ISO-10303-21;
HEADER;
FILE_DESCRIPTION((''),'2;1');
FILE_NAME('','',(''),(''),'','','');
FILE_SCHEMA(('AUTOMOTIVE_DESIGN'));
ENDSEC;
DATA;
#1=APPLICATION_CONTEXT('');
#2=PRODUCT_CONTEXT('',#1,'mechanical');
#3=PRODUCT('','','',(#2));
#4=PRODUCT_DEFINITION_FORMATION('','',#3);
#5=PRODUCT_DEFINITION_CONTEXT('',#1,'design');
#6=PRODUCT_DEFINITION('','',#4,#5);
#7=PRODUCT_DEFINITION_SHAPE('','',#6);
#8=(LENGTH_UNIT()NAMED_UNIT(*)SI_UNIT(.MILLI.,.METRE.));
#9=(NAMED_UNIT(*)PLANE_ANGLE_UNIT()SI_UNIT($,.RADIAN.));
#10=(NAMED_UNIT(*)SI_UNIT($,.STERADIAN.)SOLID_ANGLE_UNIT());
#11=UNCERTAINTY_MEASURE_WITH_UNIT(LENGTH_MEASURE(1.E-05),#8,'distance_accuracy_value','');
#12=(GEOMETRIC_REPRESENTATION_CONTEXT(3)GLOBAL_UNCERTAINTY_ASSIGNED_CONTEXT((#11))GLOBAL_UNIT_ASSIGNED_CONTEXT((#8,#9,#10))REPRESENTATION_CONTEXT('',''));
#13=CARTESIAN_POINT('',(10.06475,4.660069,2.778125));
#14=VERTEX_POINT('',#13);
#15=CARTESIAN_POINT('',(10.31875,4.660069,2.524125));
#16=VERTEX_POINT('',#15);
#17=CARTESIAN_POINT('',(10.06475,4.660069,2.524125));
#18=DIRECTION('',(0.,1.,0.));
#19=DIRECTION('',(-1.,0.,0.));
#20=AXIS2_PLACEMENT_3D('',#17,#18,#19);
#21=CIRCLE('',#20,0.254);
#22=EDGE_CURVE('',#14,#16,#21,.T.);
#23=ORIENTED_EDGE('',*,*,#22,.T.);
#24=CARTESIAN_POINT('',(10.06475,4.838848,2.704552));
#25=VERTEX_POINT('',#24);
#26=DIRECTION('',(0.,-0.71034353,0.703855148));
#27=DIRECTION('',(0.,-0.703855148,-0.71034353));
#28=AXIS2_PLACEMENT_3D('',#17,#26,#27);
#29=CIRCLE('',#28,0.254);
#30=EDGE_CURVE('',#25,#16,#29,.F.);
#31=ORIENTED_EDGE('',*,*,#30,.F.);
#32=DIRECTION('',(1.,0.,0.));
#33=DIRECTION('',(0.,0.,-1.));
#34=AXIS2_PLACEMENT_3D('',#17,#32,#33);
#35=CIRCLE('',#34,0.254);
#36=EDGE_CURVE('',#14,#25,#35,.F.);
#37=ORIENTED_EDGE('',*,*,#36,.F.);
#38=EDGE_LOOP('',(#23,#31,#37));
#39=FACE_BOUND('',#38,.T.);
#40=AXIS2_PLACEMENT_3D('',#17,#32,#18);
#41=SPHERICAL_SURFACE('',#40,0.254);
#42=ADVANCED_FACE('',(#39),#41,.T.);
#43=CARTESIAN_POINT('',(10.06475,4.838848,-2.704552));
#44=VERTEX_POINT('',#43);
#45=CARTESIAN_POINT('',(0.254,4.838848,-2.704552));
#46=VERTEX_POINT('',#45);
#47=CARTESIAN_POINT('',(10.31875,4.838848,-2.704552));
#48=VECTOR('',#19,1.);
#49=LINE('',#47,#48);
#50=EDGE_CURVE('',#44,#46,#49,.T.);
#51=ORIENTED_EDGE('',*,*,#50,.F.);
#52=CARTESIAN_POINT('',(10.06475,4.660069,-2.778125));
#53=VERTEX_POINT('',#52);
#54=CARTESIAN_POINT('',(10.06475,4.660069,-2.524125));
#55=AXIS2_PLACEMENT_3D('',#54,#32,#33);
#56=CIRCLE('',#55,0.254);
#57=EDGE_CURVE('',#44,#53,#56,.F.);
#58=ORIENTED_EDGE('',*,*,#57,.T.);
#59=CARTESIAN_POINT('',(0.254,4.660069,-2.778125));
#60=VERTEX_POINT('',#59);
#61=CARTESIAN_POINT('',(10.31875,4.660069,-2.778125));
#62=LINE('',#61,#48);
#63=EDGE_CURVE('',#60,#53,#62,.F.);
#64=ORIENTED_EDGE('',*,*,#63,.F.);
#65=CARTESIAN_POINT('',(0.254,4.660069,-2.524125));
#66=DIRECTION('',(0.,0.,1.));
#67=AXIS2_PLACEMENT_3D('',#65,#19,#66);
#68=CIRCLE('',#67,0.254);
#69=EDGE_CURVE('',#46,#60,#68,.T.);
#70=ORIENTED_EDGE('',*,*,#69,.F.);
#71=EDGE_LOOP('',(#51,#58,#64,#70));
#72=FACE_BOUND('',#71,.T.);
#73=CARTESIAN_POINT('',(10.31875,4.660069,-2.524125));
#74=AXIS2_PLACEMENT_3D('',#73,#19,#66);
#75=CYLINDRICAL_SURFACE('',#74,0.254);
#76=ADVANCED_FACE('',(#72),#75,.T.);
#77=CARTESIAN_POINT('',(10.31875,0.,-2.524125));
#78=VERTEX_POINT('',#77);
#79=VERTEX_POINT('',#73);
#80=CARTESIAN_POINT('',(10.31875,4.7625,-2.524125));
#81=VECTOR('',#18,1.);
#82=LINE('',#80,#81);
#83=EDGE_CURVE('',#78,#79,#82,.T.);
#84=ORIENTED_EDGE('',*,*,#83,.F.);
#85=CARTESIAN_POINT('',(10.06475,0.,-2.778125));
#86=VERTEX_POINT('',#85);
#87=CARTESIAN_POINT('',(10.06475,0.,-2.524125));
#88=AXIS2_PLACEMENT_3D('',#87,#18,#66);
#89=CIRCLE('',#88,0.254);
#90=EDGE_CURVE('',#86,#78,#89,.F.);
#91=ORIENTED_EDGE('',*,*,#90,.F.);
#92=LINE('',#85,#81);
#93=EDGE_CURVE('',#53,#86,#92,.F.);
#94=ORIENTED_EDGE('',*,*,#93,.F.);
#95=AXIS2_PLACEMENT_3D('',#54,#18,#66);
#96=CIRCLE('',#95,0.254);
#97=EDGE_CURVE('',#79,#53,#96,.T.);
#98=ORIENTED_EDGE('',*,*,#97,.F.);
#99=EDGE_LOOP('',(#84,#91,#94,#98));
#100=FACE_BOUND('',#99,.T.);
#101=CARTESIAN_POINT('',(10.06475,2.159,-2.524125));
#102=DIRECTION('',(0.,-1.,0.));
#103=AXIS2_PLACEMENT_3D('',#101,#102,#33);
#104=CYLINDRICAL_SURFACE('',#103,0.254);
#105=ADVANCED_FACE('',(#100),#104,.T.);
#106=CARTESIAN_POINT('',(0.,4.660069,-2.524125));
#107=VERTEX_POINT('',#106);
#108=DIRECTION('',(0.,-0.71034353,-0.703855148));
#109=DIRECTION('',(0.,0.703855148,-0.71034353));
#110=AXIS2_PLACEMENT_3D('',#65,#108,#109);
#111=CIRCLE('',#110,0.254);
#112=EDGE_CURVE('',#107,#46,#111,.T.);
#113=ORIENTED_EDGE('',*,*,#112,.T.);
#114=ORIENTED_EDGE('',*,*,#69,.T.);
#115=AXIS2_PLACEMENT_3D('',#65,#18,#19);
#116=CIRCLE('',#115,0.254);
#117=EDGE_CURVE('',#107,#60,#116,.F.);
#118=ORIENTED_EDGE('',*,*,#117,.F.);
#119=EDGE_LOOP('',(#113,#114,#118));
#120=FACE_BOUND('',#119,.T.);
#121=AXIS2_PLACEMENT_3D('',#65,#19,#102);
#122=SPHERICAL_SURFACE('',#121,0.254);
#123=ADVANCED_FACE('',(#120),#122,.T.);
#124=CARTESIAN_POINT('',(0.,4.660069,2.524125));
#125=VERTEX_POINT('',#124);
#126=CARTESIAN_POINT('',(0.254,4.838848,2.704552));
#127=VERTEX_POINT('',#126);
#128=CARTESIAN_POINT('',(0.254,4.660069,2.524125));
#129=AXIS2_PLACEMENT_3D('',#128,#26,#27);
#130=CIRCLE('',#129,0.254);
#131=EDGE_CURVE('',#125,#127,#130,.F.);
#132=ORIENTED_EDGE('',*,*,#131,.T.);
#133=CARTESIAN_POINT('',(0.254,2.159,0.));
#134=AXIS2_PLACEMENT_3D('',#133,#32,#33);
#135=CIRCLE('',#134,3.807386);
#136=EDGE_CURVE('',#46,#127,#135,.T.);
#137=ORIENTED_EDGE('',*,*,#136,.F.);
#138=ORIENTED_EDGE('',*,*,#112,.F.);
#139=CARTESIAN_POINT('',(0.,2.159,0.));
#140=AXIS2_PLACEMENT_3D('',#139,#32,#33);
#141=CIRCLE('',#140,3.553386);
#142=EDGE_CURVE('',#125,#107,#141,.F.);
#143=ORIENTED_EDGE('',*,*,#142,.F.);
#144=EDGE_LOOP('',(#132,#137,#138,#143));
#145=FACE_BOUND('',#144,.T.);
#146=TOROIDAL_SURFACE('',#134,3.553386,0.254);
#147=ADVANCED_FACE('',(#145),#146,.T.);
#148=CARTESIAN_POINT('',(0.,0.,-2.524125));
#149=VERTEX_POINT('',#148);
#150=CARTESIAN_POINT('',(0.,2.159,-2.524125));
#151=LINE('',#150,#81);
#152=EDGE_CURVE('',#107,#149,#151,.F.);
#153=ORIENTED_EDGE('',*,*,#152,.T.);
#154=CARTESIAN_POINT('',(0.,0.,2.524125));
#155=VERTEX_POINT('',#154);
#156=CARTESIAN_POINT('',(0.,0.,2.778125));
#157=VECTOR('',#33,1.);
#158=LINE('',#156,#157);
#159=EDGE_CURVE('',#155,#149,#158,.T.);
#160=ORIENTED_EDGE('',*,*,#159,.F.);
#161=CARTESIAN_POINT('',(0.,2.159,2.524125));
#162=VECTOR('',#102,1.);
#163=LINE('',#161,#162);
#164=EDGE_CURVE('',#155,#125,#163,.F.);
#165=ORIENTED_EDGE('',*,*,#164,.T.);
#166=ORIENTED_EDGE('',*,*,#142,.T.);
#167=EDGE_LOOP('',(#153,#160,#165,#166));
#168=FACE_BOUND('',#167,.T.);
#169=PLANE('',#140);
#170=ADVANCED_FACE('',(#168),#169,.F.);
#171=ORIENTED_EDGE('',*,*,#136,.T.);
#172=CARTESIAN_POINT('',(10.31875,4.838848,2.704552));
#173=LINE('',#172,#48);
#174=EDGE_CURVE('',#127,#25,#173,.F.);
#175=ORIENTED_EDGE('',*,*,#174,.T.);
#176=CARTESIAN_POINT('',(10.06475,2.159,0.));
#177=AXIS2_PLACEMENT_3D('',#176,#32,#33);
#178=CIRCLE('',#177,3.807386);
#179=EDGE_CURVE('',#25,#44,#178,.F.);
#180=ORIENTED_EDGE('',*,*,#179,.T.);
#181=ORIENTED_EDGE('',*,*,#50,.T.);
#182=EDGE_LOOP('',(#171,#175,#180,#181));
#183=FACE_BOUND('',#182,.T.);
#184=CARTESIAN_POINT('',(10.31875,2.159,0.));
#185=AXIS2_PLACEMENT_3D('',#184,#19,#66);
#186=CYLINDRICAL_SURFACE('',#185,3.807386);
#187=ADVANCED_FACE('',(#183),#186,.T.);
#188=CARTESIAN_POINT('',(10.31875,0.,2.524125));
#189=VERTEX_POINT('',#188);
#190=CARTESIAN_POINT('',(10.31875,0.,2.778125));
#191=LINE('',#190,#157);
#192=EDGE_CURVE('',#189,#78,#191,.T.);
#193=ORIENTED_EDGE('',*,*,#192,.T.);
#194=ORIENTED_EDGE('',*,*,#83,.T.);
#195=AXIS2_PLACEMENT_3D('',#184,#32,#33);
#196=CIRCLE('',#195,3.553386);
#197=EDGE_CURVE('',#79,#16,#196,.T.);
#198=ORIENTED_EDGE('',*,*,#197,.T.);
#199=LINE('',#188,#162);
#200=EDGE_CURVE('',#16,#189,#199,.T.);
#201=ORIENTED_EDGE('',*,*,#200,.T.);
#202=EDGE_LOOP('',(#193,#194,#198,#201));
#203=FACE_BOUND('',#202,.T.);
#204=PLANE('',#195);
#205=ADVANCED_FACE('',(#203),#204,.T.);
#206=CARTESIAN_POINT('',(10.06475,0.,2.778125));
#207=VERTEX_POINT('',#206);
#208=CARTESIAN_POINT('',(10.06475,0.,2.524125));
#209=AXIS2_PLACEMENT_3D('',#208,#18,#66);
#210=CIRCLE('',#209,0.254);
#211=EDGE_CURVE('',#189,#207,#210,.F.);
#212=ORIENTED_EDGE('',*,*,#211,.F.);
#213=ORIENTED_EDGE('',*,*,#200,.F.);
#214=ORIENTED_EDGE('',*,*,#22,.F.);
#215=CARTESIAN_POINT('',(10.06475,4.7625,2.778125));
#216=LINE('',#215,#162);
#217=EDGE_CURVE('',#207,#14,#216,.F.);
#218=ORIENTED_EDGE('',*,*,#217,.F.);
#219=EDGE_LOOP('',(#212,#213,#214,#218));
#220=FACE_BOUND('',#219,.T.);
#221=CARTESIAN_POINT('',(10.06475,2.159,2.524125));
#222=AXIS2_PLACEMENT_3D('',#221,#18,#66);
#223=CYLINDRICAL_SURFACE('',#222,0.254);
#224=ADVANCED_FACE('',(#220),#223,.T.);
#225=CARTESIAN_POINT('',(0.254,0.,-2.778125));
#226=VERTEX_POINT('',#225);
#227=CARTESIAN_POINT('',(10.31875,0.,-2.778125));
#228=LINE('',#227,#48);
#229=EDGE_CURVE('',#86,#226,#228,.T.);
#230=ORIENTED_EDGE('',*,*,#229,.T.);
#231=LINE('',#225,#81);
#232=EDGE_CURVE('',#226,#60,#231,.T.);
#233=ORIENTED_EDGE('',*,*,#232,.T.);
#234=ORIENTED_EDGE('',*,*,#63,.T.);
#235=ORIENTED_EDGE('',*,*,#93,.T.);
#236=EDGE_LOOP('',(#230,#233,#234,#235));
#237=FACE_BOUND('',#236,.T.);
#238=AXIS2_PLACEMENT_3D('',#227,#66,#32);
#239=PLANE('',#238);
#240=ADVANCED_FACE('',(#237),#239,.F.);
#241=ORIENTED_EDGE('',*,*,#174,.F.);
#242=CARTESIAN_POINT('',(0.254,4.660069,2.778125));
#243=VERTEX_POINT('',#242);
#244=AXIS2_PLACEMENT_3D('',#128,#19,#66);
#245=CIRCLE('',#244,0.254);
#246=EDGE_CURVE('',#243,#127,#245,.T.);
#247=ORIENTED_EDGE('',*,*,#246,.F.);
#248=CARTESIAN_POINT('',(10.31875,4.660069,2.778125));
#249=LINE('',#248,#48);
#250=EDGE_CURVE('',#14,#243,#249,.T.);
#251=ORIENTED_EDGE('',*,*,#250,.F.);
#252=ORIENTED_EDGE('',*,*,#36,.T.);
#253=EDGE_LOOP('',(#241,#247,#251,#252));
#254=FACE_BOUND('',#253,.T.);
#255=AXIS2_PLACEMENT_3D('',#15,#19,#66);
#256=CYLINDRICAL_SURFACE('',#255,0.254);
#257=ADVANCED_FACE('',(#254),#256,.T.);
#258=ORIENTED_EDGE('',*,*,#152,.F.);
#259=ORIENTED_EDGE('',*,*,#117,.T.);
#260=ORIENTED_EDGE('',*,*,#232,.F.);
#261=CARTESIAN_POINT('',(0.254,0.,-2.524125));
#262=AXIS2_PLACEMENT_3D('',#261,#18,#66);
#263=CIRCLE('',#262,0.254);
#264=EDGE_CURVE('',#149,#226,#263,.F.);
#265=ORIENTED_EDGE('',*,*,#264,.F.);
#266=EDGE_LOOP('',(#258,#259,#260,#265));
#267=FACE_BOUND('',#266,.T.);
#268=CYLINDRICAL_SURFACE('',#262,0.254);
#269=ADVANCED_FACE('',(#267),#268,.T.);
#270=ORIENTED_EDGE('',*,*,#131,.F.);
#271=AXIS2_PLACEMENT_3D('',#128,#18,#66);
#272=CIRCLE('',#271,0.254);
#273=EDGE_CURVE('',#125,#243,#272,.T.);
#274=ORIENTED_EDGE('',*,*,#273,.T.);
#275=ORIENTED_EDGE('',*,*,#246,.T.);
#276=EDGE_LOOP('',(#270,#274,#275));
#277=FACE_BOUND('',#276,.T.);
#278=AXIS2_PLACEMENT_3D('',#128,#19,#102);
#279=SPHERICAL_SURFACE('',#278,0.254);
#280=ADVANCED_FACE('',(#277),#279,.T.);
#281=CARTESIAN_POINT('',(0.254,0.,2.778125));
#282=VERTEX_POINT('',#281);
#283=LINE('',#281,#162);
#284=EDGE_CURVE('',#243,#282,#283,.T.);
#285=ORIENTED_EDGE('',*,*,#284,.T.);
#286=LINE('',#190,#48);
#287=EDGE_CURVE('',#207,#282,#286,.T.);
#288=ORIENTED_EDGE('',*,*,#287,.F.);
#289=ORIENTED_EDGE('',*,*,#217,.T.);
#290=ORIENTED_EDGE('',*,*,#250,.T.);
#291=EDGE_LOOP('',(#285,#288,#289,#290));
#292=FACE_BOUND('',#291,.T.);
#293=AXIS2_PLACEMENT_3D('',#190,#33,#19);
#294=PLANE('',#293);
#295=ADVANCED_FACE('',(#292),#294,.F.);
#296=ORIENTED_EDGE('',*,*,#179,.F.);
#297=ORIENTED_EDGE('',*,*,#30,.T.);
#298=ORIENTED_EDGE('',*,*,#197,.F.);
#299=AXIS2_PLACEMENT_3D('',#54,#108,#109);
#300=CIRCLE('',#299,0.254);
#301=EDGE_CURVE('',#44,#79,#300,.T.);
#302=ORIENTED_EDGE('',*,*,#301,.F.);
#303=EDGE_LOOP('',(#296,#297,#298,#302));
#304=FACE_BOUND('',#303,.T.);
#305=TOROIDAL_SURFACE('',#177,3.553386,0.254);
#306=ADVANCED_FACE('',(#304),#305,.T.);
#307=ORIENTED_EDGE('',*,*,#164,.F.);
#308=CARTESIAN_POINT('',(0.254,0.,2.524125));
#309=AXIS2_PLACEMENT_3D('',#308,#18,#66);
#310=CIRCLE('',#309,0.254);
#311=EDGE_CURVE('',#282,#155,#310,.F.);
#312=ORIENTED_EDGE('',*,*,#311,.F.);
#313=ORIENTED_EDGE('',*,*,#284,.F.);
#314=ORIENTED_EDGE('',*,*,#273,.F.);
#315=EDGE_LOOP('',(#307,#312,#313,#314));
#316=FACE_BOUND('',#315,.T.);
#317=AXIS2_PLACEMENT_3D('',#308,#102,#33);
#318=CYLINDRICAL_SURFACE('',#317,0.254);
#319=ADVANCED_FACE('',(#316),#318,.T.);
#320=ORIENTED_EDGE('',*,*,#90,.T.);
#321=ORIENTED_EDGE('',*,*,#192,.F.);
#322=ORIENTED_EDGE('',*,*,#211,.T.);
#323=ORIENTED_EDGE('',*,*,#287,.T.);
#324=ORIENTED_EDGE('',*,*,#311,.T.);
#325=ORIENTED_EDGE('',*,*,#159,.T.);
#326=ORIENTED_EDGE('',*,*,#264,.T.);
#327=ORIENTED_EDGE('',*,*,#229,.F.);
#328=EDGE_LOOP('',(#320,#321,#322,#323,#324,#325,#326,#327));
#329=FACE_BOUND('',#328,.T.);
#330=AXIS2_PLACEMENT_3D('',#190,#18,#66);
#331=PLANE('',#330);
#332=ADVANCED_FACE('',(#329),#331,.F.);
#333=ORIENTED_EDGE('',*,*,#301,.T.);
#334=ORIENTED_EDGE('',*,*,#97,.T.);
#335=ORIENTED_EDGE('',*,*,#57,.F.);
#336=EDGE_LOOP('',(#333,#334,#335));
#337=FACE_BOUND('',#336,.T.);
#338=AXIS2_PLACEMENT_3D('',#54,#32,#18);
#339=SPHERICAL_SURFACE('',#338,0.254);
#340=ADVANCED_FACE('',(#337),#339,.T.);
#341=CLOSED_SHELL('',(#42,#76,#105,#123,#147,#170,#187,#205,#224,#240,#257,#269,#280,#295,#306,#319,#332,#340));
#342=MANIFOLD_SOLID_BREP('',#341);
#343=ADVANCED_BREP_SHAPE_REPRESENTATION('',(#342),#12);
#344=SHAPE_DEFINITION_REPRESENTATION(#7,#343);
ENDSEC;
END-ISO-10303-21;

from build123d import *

# Parameters (mm, degrees)
BOSS_EXTRUDE1_DEPTH = 10.31875
FILLET1_R           = 0.254


with BuildPart() as part:
    # Sketch1 → Boss-Extrude1 (new body)
    with BuildSketch(Plane(origin=(0, 0, 0), x_dir=(0, 0, -1), z_dir=(1, 0, 0))):
        with BuildLine():
            Line((-2.778125, 0), (2.778125, 0))
            Line((2.778125, 0), (2.778125, 4.7625))
            ThreePointArc((2.778125, 4.7625), (0, 5.966386343), (-2.778125, 4.7625))
            Line((-2.778125, 4.7625), (-2.778125, 0))
        make_face()
    extrude(amount=BOSS_EXTRUDE1_DEPTH)

    # Fillet1
    fillet1_edges = [part.edges().sort_by_distance(p)[0] for p in [
        (10.31875, 2.38125, 2.778125),
        (10.31875, 2.38125, -2.778125),
        (0, 2.38125, 2.778125),
        (0, 5.966386343, 0),
        (0, 2.38125, -2.778125),
        (5.159375, 4.7625, 2.778125),
        (5.159375, 4.7625, -2.778125),
        (10.31875, 5.966386343, 0),
    ]]
    fillet(fillet1_edges, radius=FILLET1_R)


solid = part.part
